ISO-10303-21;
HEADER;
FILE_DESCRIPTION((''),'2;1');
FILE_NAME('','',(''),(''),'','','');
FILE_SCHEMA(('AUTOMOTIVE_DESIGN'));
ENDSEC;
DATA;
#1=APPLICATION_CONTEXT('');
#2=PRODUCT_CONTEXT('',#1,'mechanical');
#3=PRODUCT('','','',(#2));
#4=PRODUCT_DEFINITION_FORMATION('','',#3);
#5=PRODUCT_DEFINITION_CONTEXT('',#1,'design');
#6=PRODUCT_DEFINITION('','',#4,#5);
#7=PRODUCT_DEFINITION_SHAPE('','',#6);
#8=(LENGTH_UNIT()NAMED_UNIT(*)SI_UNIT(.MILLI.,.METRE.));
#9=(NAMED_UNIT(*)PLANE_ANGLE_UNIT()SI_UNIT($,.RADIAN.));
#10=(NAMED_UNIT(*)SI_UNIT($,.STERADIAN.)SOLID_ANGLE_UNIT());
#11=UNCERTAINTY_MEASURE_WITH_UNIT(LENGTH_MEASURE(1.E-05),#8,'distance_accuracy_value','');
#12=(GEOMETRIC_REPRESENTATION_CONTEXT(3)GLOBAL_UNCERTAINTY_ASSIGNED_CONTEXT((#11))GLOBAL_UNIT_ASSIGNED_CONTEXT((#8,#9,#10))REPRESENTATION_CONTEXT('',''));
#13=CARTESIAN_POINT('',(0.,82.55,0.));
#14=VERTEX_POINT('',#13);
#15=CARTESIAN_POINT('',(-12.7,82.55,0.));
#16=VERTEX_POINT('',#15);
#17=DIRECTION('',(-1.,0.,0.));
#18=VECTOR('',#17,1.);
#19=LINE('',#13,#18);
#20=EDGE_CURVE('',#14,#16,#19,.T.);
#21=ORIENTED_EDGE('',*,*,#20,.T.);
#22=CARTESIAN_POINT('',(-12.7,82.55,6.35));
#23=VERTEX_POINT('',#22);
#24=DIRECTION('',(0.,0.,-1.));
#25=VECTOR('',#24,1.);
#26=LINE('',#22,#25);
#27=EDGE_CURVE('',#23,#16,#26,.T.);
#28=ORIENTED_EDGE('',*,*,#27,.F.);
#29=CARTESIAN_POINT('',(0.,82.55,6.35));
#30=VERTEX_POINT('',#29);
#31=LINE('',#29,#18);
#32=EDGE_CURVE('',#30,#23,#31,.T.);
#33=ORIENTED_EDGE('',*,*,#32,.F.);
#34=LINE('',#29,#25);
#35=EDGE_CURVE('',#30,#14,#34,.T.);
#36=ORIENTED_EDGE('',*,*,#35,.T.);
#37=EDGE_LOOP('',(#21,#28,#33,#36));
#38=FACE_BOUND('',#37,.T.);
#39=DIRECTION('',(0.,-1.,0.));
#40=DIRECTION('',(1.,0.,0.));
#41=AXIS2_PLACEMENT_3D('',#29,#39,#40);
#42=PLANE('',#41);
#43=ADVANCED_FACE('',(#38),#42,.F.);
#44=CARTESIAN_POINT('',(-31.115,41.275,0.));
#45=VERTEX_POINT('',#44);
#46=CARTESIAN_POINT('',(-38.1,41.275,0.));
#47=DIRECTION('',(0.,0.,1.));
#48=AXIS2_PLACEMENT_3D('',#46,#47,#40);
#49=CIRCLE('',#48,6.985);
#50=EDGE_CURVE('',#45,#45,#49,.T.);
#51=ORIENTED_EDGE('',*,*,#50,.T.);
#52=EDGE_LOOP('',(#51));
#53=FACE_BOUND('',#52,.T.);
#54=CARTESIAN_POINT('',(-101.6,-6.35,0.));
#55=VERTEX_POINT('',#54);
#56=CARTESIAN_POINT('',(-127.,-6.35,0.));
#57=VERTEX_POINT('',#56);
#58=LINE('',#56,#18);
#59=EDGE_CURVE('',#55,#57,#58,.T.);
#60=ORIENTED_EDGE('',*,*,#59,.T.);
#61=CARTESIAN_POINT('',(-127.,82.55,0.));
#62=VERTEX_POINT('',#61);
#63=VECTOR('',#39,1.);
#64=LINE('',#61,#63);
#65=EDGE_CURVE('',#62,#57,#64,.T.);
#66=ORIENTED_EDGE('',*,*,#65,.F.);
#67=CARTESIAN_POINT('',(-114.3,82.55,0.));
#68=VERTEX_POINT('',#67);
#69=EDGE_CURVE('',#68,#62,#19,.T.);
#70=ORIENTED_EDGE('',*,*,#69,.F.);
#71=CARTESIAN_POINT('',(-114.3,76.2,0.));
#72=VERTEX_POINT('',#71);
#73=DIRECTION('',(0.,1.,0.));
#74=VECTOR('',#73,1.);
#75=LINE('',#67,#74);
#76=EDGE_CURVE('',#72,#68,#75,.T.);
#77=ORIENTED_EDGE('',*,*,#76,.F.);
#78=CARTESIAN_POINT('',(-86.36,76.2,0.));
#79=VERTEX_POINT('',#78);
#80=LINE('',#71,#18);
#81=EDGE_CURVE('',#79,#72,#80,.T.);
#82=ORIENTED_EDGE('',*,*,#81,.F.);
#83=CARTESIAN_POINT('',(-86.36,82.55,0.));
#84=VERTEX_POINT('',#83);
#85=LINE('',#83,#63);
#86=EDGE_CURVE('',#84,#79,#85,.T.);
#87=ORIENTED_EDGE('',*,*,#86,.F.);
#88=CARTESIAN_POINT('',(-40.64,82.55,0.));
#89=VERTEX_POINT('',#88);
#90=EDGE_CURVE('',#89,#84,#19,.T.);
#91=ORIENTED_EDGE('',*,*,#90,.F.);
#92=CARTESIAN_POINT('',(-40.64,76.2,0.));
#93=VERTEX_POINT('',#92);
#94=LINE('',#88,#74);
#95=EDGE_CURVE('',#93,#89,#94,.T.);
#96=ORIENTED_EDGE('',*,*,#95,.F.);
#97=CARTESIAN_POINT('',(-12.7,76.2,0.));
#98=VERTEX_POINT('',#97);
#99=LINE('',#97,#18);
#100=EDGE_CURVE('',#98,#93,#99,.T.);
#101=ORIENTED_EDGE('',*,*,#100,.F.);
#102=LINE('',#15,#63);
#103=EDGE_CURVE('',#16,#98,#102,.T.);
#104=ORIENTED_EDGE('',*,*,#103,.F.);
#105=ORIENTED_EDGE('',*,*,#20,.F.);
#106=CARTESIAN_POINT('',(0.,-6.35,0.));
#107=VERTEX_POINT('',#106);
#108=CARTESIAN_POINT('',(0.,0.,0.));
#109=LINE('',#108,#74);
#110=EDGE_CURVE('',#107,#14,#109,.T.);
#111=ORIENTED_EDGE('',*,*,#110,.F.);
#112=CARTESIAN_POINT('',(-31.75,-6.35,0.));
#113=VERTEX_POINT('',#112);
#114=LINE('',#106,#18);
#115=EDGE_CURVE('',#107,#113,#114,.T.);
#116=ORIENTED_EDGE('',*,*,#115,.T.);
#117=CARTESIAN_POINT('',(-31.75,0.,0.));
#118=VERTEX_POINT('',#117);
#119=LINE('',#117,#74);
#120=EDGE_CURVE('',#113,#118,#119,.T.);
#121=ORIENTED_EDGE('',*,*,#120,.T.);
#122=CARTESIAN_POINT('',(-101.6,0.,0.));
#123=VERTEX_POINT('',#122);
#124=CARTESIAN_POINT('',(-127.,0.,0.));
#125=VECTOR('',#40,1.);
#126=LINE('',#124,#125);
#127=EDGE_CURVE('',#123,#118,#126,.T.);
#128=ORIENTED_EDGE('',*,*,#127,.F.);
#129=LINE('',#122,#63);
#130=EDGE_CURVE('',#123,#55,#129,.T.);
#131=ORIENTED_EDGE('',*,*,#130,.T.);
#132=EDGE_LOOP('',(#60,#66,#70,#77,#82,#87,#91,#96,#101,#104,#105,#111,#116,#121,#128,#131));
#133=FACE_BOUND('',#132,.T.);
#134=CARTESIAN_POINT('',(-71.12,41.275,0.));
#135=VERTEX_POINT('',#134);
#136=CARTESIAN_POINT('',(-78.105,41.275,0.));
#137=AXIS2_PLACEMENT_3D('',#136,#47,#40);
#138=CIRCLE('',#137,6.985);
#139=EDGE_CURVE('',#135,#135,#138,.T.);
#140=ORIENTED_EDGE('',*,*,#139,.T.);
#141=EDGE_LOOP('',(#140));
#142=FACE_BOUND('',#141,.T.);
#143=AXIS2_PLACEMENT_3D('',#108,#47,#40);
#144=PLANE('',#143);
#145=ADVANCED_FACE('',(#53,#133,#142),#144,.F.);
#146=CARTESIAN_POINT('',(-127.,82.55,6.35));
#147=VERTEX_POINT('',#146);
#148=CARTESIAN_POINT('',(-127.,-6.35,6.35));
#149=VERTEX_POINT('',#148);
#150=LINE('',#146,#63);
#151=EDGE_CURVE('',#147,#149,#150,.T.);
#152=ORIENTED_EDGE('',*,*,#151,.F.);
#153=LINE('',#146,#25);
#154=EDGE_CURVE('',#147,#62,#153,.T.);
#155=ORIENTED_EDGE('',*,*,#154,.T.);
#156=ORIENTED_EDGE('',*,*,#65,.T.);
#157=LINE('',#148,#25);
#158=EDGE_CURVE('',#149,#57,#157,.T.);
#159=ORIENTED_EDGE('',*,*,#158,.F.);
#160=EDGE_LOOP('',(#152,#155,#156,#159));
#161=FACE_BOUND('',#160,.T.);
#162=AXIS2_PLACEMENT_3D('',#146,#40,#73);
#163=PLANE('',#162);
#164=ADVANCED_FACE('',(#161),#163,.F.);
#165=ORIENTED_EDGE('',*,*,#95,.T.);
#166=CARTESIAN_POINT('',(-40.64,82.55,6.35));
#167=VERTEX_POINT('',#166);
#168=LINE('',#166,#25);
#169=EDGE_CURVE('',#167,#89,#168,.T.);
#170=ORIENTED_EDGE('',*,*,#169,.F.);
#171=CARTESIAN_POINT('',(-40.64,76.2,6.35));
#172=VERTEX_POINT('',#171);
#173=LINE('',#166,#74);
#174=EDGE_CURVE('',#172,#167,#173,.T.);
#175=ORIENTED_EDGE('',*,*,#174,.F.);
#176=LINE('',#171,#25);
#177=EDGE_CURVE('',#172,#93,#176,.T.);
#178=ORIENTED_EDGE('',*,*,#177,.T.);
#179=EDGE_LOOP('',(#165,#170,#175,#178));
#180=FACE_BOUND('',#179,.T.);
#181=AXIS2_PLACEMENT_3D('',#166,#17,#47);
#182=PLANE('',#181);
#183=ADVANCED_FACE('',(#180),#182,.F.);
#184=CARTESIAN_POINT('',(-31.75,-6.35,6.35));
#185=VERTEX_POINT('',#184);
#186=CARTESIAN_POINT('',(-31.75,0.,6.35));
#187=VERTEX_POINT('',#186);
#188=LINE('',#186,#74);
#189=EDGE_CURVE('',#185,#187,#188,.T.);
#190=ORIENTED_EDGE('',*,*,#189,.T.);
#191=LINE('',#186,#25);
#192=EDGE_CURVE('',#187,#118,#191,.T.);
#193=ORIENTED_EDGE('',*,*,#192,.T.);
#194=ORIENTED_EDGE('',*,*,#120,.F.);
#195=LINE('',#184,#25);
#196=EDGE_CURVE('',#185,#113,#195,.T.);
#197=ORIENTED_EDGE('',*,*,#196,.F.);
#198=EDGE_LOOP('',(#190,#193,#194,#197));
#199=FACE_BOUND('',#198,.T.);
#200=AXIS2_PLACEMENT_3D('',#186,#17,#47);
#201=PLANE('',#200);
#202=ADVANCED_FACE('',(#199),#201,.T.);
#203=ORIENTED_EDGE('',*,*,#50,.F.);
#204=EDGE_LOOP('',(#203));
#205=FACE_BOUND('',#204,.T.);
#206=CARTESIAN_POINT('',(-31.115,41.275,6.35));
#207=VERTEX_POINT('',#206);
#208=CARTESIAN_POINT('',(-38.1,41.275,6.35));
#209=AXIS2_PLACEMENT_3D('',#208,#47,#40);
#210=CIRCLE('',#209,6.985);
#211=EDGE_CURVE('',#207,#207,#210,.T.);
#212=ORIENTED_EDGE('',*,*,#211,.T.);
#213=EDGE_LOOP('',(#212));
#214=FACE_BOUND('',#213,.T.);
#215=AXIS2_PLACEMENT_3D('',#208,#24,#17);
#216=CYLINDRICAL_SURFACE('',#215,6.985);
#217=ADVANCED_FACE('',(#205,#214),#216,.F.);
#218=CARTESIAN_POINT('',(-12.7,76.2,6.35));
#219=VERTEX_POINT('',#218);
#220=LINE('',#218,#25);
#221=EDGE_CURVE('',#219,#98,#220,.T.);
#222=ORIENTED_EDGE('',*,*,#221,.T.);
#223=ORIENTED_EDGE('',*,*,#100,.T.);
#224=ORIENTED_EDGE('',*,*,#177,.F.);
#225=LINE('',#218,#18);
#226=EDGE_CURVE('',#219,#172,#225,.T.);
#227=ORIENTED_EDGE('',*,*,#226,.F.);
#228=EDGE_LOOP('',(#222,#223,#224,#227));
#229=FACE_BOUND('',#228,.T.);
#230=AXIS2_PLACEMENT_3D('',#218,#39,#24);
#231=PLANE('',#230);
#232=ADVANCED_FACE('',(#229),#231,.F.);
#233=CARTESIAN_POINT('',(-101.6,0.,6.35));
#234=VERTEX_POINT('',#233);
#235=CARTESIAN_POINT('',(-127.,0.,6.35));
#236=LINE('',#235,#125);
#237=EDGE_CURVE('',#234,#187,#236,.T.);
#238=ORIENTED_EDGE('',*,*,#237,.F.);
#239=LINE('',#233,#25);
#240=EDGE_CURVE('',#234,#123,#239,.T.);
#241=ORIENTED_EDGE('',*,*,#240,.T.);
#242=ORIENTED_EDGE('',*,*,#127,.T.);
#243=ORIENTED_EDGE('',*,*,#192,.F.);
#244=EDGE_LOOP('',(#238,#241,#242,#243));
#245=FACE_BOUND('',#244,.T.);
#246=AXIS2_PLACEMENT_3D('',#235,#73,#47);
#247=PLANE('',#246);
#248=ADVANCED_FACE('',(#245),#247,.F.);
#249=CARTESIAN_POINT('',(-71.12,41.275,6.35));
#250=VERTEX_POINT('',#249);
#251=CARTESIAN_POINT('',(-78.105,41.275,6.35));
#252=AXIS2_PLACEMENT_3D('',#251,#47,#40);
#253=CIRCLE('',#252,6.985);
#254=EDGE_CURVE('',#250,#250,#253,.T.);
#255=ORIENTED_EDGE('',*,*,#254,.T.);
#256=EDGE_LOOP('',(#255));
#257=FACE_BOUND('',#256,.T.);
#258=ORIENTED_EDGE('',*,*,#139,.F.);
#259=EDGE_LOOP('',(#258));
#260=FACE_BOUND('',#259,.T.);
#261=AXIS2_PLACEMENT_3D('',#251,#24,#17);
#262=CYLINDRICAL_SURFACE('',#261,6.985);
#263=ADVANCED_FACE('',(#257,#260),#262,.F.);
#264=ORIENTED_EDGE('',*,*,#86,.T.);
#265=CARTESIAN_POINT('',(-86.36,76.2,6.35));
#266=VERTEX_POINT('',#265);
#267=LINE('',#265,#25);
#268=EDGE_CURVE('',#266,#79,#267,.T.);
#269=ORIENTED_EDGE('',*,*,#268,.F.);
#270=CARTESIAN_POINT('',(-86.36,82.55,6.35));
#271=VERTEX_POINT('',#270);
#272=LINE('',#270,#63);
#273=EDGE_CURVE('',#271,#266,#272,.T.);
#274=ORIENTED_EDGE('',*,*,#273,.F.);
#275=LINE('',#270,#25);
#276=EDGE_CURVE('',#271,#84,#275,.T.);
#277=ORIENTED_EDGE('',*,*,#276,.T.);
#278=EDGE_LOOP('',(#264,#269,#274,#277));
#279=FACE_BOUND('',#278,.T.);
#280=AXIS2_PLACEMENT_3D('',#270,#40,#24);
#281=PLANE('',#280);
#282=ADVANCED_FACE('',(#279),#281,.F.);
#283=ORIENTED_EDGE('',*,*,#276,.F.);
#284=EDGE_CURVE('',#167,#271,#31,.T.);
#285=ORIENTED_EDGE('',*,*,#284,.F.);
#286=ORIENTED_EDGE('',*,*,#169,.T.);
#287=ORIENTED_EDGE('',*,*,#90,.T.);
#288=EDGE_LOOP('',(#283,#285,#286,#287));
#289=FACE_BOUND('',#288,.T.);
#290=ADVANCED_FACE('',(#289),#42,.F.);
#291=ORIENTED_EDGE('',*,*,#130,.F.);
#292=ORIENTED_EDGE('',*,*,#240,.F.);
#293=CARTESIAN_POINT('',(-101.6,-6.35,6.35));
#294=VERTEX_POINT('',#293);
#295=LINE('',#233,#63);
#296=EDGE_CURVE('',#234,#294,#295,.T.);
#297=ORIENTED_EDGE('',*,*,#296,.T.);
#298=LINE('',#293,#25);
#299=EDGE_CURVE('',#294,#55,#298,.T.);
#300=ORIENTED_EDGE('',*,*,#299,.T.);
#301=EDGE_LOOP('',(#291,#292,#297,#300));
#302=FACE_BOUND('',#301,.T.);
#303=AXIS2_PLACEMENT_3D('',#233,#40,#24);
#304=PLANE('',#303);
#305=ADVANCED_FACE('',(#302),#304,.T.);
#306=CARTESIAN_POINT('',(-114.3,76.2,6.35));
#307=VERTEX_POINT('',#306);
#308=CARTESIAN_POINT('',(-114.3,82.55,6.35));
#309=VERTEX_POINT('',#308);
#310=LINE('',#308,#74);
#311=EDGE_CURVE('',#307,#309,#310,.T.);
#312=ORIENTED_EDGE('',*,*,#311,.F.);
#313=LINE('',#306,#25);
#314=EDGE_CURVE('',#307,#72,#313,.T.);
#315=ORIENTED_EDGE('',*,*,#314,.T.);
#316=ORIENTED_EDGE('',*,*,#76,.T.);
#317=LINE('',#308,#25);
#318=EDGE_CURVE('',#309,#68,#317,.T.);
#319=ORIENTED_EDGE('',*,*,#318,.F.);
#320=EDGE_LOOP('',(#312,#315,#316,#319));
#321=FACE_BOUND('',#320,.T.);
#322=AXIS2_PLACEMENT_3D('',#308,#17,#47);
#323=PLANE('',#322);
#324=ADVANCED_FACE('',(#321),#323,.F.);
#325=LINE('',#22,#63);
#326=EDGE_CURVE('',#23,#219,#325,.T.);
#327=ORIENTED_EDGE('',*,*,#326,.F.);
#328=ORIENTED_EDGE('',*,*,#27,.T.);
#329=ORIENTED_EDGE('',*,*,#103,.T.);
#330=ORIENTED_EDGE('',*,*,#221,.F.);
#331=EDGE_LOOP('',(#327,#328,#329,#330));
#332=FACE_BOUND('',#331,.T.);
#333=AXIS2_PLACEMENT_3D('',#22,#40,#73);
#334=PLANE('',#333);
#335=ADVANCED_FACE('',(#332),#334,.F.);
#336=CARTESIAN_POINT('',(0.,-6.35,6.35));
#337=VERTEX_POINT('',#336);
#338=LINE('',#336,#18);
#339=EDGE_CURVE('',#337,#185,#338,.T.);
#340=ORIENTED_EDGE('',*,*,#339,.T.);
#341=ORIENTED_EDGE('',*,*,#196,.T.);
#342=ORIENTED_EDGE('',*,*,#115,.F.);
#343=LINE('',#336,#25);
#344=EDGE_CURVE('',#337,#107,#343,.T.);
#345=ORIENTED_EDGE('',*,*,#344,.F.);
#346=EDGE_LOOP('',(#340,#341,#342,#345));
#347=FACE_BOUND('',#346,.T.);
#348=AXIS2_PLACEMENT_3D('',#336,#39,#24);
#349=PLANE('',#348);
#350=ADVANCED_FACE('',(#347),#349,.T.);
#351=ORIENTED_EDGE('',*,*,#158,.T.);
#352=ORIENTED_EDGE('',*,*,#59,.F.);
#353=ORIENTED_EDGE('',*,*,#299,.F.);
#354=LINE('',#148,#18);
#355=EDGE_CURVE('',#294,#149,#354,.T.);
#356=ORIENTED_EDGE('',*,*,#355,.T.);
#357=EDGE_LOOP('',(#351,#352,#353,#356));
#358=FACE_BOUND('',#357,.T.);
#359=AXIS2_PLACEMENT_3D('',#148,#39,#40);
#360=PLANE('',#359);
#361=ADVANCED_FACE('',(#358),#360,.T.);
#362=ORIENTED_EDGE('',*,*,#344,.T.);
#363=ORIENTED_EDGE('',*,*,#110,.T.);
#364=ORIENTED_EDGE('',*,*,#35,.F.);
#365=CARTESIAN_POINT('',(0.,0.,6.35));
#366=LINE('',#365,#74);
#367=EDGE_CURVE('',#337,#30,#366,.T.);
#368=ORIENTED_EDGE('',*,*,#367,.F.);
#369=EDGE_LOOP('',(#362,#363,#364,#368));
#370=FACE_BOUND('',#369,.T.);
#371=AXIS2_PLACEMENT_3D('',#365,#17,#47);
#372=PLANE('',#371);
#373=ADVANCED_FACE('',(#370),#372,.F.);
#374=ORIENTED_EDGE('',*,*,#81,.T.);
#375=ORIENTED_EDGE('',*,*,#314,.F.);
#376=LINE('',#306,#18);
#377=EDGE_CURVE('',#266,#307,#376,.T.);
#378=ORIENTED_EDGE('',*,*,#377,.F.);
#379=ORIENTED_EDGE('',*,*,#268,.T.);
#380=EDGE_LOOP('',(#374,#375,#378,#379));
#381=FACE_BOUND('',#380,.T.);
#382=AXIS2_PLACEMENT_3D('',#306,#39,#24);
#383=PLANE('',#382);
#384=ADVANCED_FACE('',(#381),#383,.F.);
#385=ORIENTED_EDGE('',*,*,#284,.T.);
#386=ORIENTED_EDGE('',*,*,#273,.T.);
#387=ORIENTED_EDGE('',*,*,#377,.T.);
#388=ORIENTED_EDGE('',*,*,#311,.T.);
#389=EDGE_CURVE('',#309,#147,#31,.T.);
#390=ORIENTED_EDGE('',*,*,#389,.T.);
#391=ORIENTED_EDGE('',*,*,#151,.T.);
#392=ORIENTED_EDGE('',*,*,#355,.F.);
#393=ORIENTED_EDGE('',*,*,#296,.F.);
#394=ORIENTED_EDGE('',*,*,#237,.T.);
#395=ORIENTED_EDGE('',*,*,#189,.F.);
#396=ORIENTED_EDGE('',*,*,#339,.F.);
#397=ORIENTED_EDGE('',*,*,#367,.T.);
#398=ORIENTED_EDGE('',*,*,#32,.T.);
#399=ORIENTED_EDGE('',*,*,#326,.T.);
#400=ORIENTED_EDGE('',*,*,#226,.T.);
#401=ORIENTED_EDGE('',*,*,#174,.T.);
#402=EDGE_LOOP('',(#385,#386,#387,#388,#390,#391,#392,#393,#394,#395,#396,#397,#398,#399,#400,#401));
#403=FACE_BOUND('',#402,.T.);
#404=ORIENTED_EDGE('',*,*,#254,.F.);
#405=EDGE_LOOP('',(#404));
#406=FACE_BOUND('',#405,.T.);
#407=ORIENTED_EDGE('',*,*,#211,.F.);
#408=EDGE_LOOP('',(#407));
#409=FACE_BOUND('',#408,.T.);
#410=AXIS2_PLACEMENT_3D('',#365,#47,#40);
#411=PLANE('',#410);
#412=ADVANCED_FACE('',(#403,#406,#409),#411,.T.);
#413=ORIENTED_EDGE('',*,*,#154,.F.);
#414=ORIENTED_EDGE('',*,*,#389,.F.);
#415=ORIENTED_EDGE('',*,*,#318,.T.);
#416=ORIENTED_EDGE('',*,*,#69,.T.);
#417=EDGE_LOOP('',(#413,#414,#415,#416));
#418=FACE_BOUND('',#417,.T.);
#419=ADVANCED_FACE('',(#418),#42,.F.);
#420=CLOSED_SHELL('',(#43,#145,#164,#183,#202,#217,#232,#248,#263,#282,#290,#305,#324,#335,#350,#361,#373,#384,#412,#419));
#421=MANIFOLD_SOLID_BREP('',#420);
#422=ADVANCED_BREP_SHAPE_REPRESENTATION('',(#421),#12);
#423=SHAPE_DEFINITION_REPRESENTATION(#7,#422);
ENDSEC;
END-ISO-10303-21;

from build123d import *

# Parameters (mm, degrees)
SKETCH1_W           = 127
SKETCH1_H           = 82.55
SKETCH1_R           = 6.985
BOSS_EXTRUDE1_DEPTH = 6.35
SKETCH2_W           = 31.75
SKETCH2_H           = 6.35
SKETCH2_W_2         = 25.4
BOSS_EXTRUDE2_DEPTH = 6.35
SKETCH3_W           = 27.94
SKETCH3_H           = 6.35
CUT_EXTRUDE1_DEPTH  = 6.35


with BuildPart() as part:
    # Sketch1 → Boss-Extrude1 (new body)
    with BuildSketch(Plane.XY):
        with Locations((-63.5, 41.275)):
            Rectangle(SKETCH1_W, SKETCH1_H)
        with Locations((-38.1, 41.275)):
            Circle(SKETCH1_R, mode=Mode.SUBTRACT)
        with Locations((-78.105, 41.275)):
            Circle(SKETCH1_R, mode=Mode.SUBTRACT)
    extrude(amount=BOSS_EXTRUDE1_DEPTH)

    # Sketch2 → Boss-Extrude2 (add)
    with BuildSketch(Plane(origin=(0, 0, 0), x_dir=(-1, 0, 0), z_dir=(0, 0, -1))):
        with Locations((15.875, -3.175)):
            Rectangle(SKETCH2_W, SKETCH2_H)
        with Locations((114.3, -3.175)):
            Rectangle(SKETCH2_W_2, SKETCH2_H)
    extrude(amount=-BOSS_EXTRUDE2_DEPTH)

    # Sketch3 → Cut-Extrude1 (cut)
    with BuildSketch(Plane(origin=(0, 0, 0), x_dir=(-1, 0, 0), z_dir=(0, 0, -1))):
        with Locations((26.67, 79.375)):
            Rectangle(SKETCH3_W, SKETCH3_H)
        with Locations((100.33, 79.375)):
            Rectangle(SKETCH3_W, SKETCH3_H)
    extrude(amount=-CUT_EXTRUDE1_DEPTH, mode=Mode.SUBTRACT)


solid = part.part
